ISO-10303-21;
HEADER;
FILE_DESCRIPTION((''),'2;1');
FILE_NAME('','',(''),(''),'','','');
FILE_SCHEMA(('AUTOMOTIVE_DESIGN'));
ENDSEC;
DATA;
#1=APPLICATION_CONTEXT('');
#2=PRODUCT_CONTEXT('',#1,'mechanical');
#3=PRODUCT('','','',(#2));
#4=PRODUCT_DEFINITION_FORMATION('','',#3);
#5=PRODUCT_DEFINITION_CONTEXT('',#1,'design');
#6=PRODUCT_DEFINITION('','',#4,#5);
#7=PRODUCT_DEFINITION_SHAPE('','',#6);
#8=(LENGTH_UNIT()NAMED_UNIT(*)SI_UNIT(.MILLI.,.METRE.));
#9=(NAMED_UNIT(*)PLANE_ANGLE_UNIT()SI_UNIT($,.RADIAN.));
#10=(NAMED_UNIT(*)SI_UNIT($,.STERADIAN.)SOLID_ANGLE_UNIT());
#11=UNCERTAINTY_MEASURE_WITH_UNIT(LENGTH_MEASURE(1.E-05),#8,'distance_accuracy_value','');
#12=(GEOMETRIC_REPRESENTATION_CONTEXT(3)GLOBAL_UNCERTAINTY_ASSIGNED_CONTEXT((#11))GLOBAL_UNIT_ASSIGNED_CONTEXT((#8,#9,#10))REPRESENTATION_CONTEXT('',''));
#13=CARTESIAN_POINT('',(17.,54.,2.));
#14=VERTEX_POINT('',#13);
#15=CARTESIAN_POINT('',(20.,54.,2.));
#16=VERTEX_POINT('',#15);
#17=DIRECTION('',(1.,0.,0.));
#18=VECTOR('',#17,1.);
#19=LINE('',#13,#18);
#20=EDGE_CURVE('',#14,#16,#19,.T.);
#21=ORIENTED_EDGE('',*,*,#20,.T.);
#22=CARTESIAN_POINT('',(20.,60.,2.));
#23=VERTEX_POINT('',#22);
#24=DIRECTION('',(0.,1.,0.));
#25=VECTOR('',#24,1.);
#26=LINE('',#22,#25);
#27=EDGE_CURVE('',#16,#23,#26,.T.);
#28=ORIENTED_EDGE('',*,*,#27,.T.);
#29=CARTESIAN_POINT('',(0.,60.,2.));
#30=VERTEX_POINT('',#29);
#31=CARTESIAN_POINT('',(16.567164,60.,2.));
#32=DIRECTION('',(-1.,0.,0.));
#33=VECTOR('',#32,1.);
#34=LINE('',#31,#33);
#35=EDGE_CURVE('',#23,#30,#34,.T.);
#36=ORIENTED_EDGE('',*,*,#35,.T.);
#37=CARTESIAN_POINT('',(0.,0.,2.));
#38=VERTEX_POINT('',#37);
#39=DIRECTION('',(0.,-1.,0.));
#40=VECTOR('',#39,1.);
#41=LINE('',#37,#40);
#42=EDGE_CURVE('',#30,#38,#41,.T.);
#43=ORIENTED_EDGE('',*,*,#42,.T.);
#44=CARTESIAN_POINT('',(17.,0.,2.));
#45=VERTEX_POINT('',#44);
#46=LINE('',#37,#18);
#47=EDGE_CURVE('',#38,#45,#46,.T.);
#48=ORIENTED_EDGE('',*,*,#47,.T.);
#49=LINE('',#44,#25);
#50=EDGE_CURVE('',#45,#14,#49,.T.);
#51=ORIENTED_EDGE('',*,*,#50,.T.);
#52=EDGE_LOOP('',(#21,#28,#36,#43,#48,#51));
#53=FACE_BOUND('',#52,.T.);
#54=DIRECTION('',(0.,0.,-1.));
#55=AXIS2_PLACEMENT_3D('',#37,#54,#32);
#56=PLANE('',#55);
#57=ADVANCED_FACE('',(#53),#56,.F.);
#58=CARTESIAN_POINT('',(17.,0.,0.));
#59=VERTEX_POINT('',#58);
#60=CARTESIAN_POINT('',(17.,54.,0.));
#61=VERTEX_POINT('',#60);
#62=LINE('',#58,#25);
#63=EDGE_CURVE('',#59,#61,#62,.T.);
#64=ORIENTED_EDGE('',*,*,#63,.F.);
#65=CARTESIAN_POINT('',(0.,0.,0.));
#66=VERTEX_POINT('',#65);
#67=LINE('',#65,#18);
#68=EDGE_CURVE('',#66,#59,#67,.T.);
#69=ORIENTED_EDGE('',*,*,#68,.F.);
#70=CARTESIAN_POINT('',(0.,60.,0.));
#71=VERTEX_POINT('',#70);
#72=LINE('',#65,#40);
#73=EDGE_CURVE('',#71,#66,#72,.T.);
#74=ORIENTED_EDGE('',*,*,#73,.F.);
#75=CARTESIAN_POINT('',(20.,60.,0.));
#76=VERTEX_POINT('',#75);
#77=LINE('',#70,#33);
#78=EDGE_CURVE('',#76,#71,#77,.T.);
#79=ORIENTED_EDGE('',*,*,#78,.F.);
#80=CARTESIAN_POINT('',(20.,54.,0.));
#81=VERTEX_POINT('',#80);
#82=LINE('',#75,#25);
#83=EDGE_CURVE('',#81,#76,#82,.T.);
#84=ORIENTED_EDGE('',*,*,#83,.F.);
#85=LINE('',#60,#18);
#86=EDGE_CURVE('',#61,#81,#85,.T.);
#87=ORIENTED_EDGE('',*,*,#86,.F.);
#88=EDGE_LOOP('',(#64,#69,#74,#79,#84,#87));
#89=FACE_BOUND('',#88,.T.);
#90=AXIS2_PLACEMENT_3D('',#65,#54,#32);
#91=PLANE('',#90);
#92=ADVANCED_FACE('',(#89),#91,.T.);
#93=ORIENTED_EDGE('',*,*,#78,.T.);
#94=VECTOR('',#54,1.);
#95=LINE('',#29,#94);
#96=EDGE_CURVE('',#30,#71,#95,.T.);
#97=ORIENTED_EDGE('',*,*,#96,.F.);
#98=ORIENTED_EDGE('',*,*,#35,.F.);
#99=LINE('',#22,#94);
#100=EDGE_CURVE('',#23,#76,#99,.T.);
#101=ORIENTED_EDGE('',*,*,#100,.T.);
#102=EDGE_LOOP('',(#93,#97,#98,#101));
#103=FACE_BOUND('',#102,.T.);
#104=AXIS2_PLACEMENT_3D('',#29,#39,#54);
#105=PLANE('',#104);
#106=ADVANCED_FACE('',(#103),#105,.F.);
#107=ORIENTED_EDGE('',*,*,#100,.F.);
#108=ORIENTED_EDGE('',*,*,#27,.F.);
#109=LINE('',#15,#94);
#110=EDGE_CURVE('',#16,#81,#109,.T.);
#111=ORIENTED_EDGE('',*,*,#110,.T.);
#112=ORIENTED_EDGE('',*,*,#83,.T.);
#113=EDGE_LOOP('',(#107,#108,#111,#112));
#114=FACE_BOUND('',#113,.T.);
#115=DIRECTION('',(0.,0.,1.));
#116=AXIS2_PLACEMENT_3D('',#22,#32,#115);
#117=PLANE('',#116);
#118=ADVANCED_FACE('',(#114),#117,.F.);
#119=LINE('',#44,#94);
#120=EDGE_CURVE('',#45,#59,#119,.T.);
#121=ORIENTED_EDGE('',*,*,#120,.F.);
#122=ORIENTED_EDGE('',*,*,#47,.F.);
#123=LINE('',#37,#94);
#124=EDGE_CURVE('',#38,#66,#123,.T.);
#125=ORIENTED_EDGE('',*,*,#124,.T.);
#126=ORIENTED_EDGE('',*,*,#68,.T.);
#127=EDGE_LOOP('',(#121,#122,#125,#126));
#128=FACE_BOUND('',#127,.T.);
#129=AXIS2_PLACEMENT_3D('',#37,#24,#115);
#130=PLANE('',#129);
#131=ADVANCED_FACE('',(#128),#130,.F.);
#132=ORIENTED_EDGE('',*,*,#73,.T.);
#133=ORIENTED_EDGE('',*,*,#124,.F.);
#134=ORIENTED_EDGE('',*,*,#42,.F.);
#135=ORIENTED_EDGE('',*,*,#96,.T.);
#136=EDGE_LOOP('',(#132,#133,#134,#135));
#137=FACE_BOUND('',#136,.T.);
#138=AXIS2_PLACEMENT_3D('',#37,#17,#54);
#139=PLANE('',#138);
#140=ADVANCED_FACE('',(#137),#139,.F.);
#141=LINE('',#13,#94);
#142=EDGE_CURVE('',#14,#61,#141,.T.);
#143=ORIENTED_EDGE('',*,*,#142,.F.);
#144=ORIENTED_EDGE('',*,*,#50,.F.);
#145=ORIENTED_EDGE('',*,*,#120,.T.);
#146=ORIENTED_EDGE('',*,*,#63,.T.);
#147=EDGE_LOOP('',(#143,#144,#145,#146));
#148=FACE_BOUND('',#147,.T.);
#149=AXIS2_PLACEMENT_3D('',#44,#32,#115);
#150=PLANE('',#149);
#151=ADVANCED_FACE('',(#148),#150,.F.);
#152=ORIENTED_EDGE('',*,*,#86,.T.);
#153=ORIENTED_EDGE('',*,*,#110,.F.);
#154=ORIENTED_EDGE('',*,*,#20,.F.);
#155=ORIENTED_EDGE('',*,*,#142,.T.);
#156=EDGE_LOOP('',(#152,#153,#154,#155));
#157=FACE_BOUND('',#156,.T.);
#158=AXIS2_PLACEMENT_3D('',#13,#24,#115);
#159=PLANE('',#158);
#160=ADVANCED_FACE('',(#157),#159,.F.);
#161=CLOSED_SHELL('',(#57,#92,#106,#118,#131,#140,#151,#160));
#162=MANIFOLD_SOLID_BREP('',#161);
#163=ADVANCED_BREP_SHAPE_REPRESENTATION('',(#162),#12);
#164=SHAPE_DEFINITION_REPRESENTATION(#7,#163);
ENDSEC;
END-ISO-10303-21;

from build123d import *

# Parameters (mm, degrees)
BOSS_EXTRUDE1_DEPTH = 2


with BuildPart() as part:
    # Sketch1 → Boss-Extrude1 (new body)
    with BuildSketch(Plane.XY):
        Polygon((0, 0), (17, 0), (17, 54), (20, 54), (20, 60), (16.567164179, 60), (0, 60), align=None)
    extrude(amount=BOSS_EXTRUDE1_DEPTH)


solid = part.part
